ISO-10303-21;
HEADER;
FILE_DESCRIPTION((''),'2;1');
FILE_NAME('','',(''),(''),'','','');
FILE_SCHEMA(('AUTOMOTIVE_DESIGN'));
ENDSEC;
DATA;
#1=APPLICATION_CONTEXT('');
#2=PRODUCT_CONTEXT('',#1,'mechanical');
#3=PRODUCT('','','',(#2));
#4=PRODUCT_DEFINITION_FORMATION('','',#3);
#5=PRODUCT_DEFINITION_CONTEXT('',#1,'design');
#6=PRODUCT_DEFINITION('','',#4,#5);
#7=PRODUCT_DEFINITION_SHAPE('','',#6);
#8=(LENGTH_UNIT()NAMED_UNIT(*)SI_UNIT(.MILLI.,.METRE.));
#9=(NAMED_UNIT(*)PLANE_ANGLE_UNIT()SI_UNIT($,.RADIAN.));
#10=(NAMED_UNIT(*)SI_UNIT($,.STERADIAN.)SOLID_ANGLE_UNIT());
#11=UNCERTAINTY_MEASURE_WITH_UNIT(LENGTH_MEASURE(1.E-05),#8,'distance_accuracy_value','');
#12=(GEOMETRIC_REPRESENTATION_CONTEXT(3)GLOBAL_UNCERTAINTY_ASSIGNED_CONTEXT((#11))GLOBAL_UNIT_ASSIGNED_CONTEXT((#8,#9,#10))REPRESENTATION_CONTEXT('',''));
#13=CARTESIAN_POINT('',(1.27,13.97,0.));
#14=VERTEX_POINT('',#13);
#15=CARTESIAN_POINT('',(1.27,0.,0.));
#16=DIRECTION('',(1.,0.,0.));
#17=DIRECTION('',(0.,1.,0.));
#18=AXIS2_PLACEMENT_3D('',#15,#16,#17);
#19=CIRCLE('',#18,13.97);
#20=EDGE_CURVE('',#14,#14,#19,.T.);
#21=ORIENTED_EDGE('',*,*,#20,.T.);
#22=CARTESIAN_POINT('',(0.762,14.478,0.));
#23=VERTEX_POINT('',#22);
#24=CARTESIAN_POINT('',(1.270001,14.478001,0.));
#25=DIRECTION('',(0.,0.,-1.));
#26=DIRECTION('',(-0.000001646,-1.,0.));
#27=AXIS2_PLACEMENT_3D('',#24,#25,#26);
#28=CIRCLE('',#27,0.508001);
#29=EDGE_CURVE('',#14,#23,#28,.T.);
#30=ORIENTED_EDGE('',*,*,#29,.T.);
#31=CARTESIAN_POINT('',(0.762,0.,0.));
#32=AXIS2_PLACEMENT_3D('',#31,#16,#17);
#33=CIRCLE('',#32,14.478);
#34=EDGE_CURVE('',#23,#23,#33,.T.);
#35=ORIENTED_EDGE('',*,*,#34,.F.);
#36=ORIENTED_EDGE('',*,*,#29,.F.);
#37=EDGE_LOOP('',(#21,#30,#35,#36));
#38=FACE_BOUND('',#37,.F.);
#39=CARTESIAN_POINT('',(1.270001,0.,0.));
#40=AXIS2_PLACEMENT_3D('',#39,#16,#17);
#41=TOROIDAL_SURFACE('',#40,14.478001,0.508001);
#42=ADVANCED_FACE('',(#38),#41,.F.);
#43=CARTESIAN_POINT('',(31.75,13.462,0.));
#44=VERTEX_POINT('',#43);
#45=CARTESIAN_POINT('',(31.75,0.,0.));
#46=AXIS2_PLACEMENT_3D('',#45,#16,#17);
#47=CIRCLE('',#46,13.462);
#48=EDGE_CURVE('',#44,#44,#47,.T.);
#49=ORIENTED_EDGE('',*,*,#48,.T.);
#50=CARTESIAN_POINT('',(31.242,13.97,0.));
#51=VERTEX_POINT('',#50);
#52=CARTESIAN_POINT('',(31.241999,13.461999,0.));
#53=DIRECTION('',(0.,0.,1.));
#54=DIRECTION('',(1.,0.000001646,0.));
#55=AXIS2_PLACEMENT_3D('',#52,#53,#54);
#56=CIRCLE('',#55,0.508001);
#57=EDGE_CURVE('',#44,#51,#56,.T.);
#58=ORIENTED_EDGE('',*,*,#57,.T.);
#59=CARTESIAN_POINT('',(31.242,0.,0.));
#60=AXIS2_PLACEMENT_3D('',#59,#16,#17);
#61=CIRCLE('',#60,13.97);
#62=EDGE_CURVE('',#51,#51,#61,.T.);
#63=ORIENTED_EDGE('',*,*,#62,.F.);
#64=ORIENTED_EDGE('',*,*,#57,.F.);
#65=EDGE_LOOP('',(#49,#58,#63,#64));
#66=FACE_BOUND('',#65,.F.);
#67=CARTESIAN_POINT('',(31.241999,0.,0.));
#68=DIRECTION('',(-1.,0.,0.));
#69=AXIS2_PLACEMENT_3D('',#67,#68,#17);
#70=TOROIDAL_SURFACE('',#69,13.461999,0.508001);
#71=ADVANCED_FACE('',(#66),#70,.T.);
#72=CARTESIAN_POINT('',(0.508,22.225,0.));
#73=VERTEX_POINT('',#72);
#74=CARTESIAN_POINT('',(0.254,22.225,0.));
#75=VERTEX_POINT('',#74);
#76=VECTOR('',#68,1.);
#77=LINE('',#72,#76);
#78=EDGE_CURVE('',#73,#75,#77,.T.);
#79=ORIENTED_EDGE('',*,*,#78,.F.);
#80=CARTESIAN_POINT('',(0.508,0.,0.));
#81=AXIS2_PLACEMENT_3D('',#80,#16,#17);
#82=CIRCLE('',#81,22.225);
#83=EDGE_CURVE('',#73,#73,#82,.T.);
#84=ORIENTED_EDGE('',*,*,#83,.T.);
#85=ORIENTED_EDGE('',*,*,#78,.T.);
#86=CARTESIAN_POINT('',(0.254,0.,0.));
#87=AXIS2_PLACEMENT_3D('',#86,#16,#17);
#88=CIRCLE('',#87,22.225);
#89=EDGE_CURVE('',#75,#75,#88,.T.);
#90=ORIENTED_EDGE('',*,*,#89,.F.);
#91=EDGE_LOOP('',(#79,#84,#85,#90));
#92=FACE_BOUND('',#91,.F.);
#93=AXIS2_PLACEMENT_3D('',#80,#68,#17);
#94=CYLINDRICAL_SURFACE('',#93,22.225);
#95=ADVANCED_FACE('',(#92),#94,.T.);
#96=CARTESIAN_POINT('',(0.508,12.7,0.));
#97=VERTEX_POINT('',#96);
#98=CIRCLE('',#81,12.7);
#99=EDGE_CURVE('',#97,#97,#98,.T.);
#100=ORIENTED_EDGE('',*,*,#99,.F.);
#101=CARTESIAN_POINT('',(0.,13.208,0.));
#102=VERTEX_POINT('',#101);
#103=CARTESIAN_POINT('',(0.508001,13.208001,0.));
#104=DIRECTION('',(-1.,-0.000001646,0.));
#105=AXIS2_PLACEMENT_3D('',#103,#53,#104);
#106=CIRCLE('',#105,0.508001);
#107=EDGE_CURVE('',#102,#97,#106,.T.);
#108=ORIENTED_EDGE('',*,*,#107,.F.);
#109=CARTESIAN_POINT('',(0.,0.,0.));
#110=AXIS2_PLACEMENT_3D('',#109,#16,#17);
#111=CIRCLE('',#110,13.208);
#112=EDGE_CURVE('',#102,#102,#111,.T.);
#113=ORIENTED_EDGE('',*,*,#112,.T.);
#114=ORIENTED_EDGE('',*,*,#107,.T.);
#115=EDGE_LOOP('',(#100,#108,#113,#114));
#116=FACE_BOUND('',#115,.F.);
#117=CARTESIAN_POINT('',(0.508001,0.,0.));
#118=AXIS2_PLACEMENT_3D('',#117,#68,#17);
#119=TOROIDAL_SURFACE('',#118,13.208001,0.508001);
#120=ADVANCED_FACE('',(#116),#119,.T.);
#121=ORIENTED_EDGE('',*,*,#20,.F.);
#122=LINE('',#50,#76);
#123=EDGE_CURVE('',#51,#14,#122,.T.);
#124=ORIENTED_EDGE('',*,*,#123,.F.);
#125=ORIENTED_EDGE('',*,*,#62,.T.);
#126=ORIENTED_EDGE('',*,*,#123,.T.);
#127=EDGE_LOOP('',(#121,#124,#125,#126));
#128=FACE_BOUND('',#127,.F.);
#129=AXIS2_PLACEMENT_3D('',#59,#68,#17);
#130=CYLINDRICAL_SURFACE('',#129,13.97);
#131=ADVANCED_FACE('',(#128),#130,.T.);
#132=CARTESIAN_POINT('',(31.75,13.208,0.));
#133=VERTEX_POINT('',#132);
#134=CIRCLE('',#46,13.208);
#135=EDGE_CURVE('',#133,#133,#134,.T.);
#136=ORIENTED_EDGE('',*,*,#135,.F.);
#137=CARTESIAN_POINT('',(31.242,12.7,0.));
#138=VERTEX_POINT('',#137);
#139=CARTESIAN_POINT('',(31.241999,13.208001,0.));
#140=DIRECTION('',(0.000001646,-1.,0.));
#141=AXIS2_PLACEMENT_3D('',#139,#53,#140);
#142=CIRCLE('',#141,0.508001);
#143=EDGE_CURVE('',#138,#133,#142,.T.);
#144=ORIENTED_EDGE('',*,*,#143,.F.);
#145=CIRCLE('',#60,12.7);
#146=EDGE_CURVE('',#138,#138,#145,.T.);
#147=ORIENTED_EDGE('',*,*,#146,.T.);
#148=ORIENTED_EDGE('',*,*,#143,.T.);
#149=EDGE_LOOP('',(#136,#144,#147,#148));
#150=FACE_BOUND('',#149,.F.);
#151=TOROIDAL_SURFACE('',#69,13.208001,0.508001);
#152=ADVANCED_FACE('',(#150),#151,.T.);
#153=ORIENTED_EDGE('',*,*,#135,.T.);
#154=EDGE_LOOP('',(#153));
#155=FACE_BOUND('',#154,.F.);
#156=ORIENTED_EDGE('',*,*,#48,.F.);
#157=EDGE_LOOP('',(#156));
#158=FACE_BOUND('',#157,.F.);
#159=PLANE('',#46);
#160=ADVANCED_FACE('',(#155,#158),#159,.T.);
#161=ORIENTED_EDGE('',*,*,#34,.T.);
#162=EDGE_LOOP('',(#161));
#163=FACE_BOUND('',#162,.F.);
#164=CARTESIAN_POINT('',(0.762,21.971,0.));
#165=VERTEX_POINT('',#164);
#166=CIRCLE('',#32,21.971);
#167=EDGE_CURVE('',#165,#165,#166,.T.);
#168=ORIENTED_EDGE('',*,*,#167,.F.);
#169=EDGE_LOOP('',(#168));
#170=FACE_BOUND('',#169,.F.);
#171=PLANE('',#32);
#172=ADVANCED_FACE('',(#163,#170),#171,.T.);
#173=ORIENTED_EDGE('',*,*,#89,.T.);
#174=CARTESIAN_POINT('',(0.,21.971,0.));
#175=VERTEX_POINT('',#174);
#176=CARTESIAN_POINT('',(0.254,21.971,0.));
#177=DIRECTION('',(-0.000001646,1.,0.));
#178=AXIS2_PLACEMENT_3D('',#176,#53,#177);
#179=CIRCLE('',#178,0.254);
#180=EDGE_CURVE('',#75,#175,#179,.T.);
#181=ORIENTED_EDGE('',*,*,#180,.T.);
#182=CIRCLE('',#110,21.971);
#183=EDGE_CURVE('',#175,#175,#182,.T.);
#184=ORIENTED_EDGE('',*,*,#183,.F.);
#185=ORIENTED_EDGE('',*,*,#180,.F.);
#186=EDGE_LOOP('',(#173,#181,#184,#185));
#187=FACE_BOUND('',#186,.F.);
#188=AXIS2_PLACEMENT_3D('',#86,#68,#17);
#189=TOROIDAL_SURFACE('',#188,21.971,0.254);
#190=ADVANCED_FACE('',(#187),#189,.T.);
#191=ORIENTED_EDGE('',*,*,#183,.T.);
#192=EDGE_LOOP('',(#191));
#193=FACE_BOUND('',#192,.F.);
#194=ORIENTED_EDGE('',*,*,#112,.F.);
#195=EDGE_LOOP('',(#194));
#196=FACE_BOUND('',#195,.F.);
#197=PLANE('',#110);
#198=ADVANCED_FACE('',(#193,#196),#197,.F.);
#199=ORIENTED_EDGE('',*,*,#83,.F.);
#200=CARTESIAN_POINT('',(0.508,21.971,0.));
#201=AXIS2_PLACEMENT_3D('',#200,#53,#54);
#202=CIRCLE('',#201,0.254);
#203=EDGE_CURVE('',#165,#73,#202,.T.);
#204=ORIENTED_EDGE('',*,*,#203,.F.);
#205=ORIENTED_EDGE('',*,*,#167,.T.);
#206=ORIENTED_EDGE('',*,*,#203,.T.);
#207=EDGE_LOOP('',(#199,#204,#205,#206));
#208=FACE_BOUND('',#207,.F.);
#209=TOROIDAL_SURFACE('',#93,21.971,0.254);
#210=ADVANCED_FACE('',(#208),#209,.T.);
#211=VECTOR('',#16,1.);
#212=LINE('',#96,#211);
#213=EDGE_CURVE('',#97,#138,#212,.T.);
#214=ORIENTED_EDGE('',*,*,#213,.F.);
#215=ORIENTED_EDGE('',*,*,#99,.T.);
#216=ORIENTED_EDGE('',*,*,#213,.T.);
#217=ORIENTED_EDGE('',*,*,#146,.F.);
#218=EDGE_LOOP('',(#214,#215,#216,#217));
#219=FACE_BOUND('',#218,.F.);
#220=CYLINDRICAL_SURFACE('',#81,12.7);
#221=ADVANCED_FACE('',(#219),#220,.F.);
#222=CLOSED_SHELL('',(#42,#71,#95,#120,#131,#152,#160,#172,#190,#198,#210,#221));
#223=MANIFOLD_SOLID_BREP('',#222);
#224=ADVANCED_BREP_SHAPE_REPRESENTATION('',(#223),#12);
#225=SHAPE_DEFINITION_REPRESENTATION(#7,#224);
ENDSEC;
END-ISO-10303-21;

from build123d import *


with BuildPart() as f1:
    # F0 (on Top) → F1 (revolve)
    with BuildSketch(Plane.XY):
        with BuildLine():
            ThreePointArc((31.242, 12.7), (31.60121, 12.84879), (31.75, 13.208))
            Line((31.75, 13.208), (31.75, 13.462))
            ThreePointArc((31.75, 13.462), (31.60121, 13.82121), (31.242, 13.97))
            Line((31.242, 13.97), (1.27, 13.97))
            ThreePointArc((1.27, 13.97), (0.91079, 14.11879), (0.762, 14.478))
            Line((0.762, 14.478), (0.762, 21.971))
            ThreePointArc((0.762, 21.971), (0.687605, 22.150605), (0.508, 22.225))
            Line((0.508, 22.225), (0.254, 22.225))
            ThreePointArc((0.254, 22.225), (0.074395, 22.150605), (0, 21.971))
            Line((0, 21.971), (0, 13.208))
            ThreePointArc((0, 13.208), (0.14879, 12.84879), (0.508, 12.7))
            Line((0.508, 12.7), (31.242, 12.7))
        make_face()
    revolve(axis=Axis((15.759503, 0, 0), (1, 0, 0)))


solid = f1.part
